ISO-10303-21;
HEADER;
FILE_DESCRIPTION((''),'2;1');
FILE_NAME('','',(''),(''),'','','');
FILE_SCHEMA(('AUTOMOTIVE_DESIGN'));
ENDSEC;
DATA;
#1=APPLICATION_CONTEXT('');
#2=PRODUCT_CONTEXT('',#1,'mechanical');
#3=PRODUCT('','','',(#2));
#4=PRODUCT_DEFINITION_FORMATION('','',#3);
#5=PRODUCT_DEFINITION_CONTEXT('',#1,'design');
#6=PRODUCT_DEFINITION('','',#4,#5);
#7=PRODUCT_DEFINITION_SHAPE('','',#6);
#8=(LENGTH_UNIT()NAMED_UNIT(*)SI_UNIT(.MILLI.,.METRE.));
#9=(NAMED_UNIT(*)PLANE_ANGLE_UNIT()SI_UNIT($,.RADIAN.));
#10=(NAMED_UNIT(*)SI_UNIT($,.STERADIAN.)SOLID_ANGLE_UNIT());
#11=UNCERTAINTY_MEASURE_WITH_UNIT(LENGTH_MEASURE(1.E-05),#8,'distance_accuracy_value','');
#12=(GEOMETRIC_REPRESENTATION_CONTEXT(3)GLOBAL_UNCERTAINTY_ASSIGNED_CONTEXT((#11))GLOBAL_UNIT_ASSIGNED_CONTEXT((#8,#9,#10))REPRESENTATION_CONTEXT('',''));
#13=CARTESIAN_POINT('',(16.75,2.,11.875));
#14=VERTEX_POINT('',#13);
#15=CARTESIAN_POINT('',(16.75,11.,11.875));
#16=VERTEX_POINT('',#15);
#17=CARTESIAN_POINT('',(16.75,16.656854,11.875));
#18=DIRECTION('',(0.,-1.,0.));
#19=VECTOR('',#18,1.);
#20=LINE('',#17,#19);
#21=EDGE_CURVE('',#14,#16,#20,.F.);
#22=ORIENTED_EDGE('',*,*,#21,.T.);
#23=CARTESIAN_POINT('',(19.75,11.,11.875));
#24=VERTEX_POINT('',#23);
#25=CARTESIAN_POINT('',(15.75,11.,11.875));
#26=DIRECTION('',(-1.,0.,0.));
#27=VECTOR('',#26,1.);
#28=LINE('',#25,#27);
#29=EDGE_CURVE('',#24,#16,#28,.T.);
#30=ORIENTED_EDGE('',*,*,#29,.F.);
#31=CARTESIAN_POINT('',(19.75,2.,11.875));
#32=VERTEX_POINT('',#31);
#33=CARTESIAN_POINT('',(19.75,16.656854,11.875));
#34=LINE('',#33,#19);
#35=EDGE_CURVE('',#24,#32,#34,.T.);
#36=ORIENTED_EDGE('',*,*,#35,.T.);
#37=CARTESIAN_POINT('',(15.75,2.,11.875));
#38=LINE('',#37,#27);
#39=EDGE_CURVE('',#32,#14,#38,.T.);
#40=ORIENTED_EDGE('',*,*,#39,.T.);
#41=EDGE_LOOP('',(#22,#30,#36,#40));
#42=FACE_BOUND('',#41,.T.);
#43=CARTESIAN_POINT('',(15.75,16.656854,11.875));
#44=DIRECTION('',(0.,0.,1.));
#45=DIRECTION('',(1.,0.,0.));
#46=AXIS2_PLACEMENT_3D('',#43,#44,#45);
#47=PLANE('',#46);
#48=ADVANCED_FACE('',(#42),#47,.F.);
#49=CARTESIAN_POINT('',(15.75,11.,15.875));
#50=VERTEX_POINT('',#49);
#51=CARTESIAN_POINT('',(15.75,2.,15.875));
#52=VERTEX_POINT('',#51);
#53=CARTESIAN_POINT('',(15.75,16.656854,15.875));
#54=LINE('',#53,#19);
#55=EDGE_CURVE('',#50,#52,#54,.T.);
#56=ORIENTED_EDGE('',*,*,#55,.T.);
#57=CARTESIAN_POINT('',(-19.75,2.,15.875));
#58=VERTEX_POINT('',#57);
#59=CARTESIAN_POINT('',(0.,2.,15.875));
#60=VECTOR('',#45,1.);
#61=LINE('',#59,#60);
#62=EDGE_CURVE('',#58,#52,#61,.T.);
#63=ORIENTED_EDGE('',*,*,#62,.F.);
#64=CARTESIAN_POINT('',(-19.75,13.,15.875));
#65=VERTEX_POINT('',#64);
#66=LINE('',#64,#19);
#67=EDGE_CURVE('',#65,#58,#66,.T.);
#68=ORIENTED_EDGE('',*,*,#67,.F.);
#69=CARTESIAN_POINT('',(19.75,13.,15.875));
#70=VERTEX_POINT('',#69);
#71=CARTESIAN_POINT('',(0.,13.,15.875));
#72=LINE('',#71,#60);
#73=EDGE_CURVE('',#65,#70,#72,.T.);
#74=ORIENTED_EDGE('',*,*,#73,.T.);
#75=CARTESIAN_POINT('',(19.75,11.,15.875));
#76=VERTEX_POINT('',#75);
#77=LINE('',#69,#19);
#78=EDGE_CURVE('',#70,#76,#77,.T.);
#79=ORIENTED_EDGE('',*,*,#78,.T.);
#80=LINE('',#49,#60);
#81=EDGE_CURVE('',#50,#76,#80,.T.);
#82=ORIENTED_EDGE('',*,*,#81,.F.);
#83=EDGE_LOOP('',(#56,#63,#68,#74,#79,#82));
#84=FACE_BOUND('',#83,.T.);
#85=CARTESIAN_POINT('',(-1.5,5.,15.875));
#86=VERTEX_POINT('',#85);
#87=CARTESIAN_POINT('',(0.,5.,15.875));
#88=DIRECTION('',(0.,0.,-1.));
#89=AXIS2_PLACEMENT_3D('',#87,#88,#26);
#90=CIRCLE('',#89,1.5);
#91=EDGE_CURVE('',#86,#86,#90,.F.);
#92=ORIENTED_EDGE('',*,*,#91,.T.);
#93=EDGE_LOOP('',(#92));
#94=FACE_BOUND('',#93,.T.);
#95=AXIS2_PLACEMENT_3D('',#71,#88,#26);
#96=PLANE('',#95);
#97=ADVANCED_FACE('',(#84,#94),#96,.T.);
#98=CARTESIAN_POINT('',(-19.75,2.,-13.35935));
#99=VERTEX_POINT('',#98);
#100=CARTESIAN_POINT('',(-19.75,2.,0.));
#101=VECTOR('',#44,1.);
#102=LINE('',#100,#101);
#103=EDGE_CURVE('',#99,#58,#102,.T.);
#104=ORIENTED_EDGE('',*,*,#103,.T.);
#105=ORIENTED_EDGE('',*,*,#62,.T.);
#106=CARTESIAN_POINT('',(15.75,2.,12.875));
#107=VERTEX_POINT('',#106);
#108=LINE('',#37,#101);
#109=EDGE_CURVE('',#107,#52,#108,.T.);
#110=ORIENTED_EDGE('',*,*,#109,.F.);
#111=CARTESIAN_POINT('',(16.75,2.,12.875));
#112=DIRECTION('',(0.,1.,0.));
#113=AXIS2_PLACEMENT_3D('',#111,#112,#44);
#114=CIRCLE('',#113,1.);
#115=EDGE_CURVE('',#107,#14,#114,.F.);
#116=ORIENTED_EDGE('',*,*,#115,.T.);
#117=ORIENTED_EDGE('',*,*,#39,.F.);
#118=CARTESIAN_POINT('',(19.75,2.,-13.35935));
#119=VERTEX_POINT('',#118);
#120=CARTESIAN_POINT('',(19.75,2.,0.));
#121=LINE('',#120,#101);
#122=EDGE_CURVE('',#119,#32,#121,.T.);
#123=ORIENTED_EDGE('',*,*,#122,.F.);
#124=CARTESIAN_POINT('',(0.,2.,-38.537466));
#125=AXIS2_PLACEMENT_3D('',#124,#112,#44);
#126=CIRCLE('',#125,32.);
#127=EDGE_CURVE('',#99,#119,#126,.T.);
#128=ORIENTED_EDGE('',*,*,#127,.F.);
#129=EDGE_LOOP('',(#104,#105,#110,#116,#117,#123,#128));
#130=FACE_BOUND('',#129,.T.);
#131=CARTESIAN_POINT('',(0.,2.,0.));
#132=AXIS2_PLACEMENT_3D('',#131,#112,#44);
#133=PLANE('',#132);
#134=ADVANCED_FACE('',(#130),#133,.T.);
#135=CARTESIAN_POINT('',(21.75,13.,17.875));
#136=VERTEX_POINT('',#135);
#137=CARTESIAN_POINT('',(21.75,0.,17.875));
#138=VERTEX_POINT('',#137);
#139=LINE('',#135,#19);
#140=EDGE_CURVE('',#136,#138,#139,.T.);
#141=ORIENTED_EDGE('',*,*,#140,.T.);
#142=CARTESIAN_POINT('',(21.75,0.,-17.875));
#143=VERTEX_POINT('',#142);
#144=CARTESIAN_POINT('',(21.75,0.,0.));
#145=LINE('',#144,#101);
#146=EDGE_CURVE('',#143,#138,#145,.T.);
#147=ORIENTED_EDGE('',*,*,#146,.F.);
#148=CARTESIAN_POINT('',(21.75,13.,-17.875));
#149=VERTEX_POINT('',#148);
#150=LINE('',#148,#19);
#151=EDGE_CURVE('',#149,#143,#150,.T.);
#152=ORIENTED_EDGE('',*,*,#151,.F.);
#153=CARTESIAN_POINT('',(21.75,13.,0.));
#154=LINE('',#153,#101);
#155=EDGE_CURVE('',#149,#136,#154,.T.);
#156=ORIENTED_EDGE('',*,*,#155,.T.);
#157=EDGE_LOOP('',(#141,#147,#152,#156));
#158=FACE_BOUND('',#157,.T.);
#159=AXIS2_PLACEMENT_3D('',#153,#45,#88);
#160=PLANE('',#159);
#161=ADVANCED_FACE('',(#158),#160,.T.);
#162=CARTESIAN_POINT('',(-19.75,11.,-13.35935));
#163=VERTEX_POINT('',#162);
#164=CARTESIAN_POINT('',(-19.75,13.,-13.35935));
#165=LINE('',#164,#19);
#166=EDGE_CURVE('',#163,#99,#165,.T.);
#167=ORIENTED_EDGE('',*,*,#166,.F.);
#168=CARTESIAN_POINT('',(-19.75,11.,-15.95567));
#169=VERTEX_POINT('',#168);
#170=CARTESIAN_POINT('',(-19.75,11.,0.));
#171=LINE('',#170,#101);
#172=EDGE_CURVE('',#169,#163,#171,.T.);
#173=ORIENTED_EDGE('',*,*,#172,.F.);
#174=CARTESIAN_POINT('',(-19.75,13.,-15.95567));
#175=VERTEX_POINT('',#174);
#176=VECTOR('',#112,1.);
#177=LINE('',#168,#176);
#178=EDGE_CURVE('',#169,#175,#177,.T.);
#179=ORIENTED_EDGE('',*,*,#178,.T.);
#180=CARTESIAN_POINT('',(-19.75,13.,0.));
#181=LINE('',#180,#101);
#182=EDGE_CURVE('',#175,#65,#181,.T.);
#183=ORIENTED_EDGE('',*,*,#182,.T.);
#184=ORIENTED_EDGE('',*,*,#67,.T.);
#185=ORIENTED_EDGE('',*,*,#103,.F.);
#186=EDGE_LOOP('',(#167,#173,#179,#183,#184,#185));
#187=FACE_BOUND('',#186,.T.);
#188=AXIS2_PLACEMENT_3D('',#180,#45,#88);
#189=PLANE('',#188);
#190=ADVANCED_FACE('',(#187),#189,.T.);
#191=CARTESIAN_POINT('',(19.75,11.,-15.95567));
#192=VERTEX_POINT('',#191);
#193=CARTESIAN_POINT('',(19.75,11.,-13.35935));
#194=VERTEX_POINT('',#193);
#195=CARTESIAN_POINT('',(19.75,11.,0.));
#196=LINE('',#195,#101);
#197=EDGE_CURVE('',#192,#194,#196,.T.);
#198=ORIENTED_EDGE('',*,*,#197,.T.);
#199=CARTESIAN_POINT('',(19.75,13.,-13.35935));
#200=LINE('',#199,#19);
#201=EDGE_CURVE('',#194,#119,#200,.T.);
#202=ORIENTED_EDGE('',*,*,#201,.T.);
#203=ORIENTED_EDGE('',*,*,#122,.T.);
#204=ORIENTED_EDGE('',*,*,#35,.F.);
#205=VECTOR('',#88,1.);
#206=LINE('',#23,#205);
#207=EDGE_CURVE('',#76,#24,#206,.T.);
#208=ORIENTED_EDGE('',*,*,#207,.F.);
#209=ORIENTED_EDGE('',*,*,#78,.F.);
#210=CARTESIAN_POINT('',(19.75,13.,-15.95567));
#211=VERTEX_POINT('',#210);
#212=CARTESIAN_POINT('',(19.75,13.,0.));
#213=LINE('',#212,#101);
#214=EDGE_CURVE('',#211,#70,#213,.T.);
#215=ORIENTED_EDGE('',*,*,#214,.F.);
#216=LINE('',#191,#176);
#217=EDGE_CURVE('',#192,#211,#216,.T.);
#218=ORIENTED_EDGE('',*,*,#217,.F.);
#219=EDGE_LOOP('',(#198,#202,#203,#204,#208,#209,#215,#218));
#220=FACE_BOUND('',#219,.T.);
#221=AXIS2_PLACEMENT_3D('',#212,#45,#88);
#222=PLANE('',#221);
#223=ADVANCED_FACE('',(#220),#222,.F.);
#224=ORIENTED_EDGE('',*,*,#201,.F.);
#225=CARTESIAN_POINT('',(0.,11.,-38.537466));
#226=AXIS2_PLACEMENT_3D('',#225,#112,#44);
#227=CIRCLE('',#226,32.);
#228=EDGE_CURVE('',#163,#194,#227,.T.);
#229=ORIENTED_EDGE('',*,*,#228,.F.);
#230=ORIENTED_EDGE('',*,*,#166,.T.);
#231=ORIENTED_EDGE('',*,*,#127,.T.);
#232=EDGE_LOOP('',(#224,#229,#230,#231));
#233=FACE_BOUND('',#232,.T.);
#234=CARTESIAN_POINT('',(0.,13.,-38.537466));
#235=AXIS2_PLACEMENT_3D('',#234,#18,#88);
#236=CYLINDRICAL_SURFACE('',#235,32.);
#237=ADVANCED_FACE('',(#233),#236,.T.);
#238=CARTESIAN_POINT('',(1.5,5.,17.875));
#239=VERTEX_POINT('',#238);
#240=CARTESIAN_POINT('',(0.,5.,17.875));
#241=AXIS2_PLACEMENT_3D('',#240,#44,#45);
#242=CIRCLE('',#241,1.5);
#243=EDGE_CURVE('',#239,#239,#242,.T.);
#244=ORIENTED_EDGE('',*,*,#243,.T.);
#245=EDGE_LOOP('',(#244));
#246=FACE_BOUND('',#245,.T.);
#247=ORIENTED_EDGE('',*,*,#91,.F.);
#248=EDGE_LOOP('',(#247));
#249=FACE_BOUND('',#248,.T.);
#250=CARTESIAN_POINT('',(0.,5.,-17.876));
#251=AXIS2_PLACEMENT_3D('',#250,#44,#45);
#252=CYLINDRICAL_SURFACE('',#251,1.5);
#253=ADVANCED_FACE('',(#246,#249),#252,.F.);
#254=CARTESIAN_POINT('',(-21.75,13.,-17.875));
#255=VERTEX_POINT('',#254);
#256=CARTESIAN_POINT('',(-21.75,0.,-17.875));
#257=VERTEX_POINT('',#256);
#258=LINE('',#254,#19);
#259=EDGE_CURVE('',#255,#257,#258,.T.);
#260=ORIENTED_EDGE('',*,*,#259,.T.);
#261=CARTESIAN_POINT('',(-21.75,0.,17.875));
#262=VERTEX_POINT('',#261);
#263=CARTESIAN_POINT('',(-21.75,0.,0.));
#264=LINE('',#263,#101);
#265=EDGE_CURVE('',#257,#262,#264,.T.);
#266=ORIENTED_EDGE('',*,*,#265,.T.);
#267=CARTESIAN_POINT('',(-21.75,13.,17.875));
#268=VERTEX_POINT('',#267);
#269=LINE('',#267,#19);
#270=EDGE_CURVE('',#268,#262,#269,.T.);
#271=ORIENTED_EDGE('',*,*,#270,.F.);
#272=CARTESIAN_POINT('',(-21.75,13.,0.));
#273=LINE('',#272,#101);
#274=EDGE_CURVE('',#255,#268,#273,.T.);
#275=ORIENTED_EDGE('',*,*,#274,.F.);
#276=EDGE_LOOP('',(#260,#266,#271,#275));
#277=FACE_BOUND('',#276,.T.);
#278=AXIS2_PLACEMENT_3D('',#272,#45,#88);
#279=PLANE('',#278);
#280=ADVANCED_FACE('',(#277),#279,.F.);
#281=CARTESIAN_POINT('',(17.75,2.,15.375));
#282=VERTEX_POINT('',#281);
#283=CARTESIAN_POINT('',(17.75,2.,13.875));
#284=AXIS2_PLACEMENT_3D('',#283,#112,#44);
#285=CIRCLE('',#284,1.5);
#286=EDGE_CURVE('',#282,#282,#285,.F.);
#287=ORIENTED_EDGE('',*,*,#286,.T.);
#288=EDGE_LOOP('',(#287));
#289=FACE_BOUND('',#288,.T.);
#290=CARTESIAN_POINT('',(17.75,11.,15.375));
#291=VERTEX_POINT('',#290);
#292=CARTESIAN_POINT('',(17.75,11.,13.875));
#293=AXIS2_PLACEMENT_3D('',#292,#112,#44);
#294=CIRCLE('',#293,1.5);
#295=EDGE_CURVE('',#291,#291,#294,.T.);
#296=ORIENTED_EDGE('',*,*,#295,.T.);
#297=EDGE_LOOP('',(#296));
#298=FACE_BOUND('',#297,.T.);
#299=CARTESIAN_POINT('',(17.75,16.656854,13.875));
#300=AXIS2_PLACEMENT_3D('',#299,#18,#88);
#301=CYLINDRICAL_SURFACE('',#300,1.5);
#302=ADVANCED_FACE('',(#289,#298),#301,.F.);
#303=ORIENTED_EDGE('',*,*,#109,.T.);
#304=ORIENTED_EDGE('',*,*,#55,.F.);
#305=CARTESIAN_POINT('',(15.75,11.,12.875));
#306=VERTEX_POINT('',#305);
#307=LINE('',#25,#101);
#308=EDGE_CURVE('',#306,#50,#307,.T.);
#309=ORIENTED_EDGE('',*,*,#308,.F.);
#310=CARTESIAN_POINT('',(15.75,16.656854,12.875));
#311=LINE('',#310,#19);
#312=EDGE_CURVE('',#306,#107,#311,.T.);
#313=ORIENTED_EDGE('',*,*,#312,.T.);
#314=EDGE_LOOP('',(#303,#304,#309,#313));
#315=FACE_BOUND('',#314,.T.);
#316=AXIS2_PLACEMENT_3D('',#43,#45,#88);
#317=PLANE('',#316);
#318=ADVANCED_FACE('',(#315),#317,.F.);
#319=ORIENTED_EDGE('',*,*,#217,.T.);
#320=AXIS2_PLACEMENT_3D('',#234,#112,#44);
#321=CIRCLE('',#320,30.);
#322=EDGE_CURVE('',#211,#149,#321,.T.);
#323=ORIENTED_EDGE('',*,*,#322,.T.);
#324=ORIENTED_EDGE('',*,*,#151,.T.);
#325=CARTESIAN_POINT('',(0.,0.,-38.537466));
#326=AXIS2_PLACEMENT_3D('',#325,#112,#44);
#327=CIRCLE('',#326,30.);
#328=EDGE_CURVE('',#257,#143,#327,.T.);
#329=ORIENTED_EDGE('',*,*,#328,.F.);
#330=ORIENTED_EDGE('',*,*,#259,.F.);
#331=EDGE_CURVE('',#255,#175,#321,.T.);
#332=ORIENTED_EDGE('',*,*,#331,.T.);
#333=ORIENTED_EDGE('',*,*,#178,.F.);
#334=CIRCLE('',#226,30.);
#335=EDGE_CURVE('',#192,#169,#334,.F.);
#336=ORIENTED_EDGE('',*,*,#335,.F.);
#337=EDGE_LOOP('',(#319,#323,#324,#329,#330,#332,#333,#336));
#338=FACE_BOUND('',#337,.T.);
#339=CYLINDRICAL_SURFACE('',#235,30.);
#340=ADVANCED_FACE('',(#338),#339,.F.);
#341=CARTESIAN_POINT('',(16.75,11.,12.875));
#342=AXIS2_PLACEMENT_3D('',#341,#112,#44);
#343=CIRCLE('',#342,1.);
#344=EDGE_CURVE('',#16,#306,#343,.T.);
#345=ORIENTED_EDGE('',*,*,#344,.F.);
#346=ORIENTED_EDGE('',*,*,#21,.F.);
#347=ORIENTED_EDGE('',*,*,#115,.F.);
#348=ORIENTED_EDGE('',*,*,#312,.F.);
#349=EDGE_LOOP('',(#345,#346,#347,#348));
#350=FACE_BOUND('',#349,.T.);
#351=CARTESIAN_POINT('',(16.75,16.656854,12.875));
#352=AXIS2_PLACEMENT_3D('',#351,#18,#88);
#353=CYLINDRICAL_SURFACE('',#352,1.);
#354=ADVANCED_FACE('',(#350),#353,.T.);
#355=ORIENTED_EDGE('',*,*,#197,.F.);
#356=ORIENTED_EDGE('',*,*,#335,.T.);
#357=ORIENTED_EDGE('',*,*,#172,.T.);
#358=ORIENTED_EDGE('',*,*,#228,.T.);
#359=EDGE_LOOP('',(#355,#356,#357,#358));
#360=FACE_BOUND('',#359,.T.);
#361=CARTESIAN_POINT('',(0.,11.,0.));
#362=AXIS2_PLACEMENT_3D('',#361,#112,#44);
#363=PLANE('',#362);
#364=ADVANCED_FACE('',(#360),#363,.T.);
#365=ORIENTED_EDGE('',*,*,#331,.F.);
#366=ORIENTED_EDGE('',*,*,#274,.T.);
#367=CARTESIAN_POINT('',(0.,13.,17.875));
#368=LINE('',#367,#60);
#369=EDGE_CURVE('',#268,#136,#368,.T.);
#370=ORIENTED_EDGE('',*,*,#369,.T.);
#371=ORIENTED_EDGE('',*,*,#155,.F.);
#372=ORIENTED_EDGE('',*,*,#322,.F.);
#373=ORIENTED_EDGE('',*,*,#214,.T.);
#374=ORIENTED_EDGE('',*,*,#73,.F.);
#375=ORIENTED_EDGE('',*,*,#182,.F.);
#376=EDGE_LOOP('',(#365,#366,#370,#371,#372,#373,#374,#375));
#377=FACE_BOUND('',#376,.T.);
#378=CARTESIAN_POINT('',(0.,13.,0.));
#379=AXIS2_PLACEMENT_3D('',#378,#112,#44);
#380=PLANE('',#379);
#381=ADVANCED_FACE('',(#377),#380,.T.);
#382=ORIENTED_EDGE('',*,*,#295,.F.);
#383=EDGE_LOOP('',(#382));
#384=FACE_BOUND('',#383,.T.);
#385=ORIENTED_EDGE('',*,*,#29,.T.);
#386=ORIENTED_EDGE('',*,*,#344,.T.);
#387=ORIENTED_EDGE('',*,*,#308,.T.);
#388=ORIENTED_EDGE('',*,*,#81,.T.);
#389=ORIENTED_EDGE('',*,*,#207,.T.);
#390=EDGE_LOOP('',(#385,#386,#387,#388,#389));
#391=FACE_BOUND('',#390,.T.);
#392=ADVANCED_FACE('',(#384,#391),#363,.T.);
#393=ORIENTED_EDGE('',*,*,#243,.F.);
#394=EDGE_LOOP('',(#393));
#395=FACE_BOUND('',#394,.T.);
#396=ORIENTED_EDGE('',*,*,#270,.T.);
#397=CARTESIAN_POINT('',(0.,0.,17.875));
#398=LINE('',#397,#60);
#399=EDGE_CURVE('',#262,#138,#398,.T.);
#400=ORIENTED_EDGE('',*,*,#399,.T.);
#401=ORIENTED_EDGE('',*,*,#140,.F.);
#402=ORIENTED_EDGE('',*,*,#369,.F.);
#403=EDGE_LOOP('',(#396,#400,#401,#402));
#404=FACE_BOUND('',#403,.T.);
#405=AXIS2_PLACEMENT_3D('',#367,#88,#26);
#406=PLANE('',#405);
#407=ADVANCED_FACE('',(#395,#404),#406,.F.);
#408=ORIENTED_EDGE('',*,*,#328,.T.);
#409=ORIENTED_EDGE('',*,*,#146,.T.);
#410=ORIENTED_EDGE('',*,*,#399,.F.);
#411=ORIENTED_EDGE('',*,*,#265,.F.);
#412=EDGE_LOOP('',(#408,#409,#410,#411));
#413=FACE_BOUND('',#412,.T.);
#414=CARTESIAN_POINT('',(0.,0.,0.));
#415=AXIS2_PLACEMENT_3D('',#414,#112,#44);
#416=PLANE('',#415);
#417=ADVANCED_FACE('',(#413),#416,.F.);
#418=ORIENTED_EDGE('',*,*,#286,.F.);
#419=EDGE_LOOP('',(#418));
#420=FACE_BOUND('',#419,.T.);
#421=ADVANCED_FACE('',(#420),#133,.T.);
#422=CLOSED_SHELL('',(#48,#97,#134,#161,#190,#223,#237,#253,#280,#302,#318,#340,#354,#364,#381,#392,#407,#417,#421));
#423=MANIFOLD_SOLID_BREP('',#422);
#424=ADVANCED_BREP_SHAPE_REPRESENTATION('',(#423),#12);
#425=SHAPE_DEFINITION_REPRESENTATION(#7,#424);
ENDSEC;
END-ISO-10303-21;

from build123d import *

# Parameters (mm, degrees)
BOSS_EXTRUDE1_DEPTH = 13
SHELL1_T            = -2
CUT_EXTRUDE1_START  = -2
CUT_EXTRUDE1_DEPTH  = 2
CUT_EXTRUDE2_REACH  = 45.819
SKETCH3_R           = 1.5
SKETCH4_W           = 4
SKETCH4_H           = 4
SKETCH4_R           = 1.5
BOSS_EXTRUDE2_DEPTH = 9
FILLET1_R           = 1


with BuildPart() as part:
    # Sketch1 → Boss-Extrude1 (new body)
    with BuildSketch(Plane(origin=(0, 0, 0), x_dir=(1, 0, 0), z_dir=(0, 1, 0))):
        with BuildLine():
            ThreePointArc((21.75, 17.875), (0, 8.537465971), (-21.75, 17.875))
            Line((-21.75, 17.875), (-21.75, -17.875))
            Line((-21.75, -17.875), (21.75, -17.875))
            Line((21.75, -17.875), (21.75, 17.875))
        make_face()
    extrude(amount=BOSS_EXTRUDE1_DEPTH)

    # Shell1
    shell1_openings = [part.faces().sort_by_distance(p)[0] for p in [
        (0, 13, 3.099956695),
    ]]
    offset(amount=SHELL1_T, openings=shell1_openings, kind=Kind.INTERSECTION)

    # Sketch2 → Cut-Extrude1 (cut)
    with BuildSketch(Plane(origin=(0, 13, 0), x_dir=(1, 0, 0), z_dir=(0, 1, 0)).offset(CUT_EXTRUDE1_START)):
        with BuildLine():
            ThreePointArc((19.75, 15.955670205), (0, 8.537465971), (-19.75, 15.955670205))
            Line((-19.75, 15.955670205), (-19.75, 13.359350474))
            ThreePointArc((-19.75, 13.359350474), (0, 6.537465971), (19.75, 13.359350474))
            Line((19.75, 13.359350474), (19.75, 15.955670205))
        make_face()
    extrude(amount=CUT_EXTRUDE1_DEPTH, mode=Mode.SUBTRACT)

    # Sketch3 → Cut-Extrude2 (cut, up to next)
    with BuildSketch(Plane.XY.offset(17.875), mode=Mode.PRIVATE) as cut_extrude2_sk1:
        with Locations((0, 5)):
            Circle(SKETCH3_R)
    cut_extrude2_tool1 = extrude(cut_extrude2_sk1.sketch, amount=-CUT_EXTRUDE2_REACH, mode=Mode.PRIVATE) & part.part
    add(cut_extrude2_tool1.solids().sort_by_distance((0, 5, 17.875))[0], mode=Mode.SUBTRACT)

    # Sketch4 → Boss-Extrude2 (add)
    with BuildSketch(Plane(origin=(0, 2, 0), x_dir=(1, 0, 0), z_dir=(0, 1, 0))):
        with Locations((17.75, -13.875)):
            Rectangle(SKETCH4_W, SKETCH4_H)
        with Locations(Location((17.75, -13.875, 0), (0, 0, 270))):
            Circle(SKETCH4_R, mode=Mode.SUBTRACT)
    extrude(amount=BOSS_EXTRUDE2_DEPTH)

    # Fillet1
    fillet1_edges = [part.edges().sort_by_distance(p)[0] for p in [
        (15.75, 6.5, 11.875),
    ]]
    fillet(fillet1_edges, radius=FILLET1_R)


solid = part.part
